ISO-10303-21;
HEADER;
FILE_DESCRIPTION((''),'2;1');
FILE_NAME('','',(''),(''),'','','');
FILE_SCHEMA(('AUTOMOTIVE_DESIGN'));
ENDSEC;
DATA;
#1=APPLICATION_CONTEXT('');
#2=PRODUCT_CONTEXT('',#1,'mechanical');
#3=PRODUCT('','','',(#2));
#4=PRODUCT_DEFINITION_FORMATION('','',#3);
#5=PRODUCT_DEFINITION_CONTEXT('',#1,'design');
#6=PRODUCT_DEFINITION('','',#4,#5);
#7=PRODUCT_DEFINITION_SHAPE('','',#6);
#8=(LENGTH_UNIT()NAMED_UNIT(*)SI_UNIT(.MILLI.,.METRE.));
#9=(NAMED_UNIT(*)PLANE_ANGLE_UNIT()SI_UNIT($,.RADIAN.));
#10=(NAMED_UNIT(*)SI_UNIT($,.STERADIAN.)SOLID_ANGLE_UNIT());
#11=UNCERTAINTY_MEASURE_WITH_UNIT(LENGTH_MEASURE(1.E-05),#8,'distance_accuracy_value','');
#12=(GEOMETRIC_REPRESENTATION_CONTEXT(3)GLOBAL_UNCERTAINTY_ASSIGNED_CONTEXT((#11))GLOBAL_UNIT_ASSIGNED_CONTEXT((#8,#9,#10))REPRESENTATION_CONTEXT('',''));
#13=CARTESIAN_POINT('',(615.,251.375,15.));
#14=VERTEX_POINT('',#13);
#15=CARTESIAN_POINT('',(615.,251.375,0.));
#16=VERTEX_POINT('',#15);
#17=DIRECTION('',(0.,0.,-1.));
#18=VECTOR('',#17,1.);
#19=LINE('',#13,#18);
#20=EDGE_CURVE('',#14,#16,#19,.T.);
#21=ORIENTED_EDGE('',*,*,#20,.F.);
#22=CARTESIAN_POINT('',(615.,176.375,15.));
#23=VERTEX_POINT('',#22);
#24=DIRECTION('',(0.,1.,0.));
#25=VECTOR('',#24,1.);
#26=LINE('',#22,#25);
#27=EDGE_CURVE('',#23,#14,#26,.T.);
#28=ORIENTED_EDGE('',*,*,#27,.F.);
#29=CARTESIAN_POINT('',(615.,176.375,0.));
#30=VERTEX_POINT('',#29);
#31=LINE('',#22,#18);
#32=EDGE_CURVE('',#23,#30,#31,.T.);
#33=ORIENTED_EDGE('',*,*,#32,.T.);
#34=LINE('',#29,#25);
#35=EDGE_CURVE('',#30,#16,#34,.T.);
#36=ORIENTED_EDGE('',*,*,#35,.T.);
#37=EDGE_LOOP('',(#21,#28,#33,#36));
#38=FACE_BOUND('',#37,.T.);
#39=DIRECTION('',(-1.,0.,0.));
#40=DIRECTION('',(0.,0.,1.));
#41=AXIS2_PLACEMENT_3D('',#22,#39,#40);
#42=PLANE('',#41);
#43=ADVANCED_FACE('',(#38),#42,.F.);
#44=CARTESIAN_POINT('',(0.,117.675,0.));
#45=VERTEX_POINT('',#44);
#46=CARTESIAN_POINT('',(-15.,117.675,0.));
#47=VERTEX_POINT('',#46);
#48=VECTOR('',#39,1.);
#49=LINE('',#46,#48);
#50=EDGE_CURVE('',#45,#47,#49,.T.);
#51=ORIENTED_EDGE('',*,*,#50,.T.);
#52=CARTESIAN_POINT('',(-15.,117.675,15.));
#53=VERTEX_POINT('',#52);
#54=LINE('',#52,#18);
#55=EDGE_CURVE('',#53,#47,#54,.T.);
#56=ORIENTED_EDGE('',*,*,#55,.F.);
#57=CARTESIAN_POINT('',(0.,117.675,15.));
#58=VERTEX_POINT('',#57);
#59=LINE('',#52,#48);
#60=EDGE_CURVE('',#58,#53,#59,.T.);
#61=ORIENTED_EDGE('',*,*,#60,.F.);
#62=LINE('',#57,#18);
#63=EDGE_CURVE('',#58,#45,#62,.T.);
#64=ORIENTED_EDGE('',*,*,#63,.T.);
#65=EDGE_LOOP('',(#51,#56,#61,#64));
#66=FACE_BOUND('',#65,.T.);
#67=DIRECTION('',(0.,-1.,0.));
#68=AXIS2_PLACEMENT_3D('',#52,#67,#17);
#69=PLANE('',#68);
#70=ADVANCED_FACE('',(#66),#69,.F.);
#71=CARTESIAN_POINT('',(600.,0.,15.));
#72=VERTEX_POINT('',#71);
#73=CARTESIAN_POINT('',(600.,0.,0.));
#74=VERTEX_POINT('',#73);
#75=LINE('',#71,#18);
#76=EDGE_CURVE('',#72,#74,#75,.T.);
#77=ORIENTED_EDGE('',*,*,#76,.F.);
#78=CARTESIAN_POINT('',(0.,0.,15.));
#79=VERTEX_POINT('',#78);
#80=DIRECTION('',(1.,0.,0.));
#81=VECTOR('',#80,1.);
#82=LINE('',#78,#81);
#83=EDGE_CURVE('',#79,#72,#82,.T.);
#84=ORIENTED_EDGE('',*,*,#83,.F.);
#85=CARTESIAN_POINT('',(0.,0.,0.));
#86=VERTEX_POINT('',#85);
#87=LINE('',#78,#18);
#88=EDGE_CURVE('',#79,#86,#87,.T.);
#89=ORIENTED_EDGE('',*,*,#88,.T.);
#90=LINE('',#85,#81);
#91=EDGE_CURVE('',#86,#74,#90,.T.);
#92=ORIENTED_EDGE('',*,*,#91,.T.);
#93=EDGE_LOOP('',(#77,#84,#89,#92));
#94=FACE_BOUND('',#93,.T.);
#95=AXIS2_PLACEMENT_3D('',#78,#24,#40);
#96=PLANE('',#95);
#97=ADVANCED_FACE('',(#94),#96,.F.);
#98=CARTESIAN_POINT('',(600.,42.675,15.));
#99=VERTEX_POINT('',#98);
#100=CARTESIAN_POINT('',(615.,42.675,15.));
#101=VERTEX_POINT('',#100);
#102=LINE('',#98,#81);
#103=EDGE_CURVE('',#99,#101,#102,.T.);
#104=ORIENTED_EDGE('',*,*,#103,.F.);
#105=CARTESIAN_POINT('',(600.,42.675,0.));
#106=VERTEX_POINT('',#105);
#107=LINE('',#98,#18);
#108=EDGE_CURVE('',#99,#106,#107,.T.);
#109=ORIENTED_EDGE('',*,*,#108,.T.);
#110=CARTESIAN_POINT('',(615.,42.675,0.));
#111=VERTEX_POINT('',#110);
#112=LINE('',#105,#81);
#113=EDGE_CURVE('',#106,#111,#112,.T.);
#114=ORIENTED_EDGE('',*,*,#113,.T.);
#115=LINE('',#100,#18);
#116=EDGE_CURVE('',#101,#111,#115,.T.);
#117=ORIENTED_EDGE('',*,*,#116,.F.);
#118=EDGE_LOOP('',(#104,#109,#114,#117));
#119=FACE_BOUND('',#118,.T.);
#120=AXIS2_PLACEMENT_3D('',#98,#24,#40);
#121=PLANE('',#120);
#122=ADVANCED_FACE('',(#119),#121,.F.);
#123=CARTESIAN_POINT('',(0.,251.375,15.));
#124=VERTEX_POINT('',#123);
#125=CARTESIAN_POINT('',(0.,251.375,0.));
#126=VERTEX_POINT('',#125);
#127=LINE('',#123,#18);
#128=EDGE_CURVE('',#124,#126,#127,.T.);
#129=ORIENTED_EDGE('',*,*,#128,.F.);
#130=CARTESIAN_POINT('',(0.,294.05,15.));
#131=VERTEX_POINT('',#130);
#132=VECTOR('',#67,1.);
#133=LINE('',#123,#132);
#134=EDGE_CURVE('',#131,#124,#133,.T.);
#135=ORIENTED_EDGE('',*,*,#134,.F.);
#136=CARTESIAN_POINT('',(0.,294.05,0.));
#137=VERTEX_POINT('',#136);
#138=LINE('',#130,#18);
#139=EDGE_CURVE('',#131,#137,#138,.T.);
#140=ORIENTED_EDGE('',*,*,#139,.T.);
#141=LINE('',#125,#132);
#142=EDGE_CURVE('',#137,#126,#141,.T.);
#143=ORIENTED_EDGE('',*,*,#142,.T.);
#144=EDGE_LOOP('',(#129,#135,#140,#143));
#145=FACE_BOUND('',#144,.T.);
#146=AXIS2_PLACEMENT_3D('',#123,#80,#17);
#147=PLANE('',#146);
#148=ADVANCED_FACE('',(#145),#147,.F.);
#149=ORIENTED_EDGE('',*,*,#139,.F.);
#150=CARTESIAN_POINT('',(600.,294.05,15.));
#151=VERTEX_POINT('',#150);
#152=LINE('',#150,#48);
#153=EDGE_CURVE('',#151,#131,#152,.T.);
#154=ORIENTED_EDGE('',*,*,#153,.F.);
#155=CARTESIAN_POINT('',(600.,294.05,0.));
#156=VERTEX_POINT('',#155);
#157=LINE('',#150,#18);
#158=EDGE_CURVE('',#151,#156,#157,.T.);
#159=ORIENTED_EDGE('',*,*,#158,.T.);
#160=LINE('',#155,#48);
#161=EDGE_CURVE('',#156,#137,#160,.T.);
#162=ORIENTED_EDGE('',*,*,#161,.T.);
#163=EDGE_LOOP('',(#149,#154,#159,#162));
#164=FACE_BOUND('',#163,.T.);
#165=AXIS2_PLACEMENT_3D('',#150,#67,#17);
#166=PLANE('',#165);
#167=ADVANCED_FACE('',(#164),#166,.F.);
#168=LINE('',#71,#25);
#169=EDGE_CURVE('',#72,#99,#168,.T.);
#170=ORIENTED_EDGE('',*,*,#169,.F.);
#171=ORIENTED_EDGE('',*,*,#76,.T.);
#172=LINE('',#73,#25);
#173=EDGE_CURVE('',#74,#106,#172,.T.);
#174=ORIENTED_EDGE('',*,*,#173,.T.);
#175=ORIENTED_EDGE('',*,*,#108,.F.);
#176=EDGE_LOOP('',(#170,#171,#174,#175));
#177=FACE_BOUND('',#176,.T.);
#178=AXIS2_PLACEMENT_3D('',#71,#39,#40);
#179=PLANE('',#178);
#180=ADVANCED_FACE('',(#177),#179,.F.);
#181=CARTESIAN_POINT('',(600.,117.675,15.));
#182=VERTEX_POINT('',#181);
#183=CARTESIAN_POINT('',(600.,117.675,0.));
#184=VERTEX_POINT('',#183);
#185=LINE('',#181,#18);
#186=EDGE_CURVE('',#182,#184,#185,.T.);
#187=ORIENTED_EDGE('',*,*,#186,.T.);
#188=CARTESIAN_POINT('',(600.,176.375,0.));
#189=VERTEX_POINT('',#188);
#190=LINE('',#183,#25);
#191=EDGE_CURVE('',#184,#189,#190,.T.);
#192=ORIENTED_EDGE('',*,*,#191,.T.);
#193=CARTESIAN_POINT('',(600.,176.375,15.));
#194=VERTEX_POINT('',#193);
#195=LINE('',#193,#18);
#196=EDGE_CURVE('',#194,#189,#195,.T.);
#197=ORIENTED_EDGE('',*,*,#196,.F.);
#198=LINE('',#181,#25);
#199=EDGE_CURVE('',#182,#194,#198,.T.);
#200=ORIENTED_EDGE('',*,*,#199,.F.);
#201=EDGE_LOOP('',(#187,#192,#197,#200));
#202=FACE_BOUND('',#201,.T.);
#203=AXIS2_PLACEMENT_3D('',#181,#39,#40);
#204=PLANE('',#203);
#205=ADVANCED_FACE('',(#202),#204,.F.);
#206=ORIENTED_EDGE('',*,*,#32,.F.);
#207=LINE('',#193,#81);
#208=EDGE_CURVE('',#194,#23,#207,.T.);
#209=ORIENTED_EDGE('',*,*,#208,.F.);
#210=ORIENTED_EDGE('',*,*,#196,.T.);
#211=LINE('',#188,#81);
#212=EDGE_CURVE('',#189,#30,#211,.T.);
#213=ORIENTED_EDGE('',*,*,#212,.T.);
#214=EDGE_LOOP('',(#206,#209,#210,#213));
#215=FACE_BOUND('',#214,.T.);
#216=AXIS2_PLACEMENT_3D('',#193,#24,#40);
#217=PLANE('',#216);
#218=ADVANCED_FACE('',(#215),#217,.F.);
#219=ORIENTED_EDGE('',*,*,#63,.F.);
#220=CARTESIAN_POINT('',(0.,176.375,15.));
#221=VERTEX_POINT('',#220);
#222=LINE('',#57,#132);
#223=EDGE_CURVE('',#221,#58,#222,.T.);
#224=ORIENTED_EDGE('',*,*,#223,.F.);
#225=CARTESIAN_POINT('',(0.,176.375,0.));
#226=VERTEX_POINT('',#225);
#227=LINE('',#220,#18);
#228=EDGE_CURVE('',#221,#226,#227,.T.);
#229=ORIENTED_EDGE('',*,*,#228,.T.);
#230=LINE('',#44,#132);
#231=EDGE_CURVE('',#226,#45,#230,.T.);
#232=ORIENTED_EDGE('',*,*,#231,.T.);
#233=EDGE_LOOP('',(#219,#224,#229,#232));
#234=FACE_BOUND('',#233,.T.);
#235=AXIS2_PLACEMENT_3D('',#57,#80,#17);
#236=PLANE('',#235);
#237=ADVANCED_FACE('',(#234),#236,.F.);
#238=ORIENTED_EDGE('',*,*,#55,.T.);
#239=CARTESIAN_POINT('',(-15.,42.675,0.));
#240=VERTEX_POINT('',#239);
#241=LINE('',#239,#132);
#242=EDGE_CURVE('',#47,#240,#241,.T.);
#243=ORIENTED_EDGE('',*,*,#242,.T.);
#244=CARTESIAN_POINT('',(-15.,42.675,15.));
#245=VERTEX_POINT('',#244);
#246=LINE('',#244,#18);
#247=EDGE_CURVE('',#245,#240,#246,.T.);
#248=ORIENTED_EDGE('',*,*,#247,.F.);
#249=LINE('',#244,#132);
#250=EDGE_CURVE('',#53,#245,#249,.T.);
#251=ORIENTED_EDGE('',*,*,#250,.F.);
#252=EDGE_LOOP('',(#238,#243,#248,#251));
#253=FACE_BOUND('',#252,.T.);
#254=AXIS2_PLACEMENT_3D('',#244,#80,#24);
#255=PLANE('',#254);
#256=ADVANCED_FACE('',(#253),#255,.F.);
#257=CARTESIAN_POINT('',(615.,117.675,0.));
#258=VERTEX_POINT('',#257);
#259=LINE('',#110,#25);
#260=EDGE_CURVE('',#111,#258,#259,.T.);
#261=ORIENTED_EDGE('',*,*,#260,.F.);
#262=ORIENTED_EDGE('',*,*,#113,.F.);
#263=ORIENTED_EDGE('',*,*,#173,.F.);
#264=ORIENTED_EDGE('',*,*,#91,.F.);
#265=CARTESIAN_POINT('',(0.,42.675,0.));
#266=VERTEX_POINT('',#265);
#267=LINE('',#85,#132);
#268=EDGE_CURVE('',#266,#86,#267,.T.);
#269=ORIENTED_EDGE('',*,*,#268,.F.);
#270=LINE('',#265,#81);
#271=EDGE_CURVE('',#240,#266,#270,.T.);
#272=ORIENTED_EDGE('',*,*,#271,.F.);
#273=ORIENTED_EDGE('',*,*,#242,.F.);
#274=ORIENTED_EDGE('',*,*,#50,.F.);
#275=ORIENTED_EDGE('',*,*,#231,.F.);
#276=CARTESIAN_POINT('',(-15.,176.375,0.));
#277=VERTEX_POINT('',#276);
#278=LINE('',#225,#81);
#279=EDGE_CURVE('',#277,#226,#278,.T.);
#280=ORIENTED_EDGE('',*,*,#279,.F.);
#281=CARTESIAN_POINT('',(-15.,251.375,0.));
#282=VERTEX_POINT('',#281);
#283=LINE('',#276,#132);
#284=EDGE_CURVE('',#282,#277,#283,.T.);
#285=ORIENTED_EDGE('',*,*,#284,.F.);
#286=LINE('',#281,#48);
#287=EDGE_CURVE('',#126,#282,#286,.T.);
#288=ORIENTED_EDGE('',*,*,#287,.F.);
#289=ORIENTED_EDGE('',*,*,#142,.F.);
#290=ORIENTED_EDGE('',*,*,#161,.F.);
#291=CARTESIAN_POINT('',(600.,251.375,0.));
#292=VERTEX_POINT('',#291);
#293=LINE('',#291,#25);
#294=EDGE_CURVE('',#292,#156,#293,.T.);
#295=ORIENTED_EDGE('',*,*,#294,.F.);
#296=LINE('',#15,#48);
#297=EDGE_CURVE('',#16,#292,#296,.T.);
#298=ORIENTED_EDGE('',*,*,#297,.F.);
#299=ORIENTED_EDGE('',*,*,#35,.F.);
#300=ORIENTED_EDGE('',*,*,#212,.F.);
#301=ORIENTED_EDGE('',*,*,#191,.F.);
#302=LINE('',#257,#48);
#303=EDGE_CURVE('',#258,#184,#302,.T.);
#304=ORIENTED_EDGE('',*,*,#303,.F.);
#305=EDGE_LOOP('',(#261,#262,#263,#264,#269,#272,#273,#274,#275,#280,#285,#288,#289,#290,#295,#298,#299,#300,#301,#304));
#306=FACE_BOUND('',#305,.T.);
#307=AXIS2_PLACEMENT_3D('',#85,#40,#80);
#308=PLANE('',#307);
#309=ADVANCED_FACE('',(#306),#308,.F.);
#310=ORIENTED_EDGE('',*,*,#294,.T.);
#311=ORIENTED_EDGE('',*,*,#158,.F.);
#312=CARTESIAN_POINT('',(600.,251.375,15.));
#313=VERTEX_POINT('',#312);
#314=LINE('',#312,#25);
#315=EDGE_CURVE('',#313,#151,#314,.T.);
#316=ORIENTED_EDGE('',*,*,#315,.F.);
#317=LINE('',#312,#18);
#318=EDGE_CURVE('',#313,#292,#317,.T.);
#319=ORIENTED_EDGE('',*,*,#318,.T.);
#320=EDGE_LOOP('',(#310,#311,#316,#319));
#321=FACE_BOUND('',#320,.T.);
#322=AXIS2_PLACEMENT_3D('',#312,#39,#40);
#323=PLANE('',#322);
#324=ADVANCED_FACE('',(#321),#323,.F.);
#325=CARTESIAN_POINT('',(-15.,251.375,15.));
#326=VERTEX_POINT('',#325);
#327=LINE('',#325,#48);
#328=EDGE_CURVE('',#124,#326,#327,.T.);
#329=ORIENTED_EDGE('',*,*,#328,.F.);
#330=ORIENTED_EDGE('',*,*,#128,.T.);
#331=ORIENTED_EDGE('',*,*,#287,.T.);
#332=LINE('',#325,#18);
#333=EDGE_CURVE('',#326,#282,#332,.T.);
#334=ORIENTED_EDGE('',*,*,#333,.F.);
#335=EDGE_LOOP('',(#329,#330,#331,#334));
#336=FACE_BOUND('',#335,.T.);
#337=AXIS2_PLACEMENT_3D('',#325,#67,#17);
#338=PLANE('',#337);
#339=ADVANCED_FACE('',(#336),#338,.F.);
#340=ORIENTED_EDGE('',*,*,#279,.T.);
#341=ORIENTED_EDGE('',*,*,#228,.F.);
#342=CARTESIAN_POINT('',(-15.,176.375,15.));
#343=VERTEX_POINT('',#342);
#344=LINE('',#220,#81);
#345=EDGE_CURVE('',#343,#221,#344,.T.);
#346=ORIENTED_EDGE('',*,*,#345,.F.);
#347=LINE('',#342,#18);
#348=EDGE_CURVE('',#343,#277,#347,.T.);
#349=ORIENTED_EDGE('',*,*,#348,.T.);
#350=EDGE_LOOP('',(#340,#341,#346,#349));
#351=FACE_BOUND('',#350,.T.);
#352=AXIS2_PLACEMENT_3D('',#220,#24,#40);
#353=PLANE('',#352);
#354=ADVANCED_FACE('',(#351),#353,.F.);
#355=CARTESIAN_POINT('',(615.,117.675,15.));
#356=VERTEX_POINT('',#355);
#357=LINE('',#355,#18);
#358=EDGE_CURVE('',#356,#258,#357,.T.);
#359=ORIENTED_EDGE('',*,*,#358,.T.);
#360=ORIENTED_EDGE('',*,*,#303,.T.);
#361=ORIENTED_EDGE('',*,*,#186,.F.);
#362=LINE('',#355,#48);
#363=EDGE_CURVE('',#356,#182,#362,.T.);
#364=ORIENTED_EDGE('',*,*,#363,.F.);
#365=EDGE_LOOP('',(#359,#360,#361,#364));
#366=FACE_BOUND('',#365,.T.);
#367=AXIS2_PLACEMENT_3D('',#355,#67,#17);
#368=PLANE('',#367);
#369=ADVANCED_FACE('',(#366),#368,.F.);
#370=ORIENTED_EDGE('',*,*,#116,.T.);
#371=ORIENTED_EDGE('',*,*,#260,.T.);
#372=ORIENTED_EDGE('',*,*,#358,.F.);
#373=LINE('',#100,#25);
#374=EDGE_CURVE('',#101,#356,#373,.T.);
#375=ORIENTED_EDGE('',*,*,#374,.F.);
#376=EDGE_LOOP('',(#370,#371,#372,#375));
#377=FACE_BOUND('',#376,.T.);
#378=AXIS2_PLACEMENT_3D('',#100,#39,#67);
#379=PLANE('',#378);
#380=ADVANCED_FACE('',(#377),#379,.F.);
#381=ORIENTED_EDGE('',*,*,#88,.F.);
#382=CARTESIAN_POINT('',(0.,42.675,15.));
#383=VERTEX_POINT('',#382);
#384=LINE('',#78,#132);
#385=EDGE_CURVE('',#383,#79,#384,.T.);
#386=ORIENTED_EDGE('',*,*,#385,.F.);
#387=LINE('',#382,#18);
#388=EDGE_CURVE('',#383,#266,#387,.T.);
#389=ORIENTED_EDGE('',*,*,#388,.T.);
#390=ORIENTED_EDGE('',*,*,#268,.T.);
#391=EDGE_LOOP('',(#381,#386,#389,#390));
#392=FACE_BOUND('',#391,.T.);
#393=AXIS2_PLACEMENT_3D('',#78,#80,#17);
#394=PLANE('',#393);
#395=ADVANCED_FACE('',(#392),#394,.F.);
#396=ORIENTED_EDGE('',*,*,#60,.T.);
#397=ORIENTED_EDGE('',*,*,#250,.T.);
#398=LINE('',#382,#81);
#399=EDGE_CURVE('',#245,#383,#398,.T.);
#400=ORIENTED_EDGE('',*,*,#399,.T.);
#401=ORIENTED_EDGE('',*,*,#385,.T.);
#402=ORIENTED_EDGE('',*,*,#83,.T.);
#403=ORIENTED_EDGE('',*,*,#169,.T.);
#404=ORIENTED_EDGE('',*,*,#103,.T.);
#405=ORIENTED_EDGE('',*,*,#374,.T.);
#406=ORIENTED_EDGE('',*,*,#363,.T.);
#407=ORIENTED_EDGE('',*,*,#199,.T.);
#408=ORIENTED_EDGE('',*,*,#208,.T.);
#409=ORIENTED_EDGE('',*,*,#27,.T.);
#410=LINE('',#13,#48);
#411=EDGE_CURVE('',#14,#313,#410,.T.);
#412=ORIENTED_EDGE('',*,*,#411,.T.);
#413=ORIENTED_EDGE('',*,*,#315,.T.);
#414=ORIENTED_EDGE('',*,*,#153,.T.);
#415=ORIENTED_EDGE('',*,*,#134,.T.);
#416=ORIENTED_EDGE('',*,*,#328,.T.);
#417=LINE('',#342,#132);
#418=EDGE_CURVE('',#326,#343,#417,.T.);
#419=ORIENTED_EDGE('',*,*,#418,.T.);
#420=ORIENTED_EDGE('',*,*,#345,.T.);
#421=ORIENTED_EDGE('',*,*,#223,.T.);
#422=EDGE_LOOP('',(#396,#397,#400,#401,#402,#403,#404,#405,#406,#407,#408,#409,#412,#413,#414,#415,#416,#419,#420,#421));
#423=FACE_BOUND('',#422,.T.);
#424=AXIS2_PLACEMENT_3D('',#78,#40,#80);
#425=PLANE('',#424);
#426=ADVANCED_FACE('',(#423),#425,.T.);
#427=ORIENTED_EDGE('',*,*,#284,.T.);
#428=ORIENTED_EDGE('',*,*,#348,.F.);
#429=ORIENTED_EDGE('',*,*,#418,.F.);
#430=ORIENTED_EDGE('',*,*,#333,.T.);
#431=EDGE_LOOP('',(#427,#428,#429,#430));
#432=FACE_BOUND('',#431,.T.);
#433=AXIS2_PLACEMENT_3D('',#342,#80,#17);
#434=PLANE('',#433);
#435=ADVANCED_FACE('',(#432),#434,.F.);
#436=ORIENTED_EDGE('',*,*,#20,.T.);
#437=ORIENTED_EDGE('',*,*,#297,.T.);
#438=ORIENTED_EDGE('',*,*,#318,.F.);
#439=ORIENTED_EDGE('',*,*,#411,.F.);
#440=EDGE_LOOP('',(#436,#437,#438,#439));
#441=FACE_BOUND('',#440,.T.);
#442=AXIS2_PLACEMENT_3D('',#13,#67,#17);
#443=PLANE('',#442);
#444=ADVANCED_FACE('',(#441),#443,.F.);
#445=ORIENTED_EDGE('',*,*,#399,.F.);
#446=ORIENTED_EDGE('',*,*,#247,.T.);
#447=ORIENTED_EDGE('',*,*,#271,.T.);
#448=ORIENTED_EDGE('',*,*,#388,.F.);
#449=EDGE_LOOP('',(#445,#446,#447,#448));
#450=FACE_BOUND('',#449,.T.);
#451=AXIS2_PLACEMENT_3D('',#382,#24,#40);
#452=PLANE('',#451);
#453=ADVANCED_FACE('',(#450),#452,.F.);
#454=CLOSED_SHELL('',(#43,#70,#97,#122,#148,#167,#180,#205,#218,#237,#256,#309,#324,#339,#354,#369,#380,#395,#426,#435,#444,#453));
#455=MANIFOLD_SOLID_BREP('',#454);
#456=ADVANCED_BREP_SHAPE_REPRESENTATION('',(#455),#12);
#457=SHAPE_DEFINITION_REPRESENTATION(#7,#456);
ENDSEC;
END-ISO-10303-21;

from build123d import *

# Parameters (mm, degrees)
BOSS_EXTRUDE1_DEPTH = 15


with BuildPart() as part:
    # Sketch1 → Boss-Extrude1 (new body)
    with BuildSketch(Plane.XY):
        Polygon((0, 0), (600, 0), (600, 42.675), (615, 42.675), (615, 117.675), (600, 117.675), (600, 176.375), (615, 176.375), (615, 251.375), (600, 251.375), (600, 294.05), (0, 294.05), (0, 251.375), (-15, 251.375), (-15, 176.375), (0, 176.375), (0, 117.675), (-15, 117.675), (-15, 42.675), (0, 42.675), align=None)
    extrude(amount=BOSS_EXTRUDE1_DEPTH)


solid = part.part
